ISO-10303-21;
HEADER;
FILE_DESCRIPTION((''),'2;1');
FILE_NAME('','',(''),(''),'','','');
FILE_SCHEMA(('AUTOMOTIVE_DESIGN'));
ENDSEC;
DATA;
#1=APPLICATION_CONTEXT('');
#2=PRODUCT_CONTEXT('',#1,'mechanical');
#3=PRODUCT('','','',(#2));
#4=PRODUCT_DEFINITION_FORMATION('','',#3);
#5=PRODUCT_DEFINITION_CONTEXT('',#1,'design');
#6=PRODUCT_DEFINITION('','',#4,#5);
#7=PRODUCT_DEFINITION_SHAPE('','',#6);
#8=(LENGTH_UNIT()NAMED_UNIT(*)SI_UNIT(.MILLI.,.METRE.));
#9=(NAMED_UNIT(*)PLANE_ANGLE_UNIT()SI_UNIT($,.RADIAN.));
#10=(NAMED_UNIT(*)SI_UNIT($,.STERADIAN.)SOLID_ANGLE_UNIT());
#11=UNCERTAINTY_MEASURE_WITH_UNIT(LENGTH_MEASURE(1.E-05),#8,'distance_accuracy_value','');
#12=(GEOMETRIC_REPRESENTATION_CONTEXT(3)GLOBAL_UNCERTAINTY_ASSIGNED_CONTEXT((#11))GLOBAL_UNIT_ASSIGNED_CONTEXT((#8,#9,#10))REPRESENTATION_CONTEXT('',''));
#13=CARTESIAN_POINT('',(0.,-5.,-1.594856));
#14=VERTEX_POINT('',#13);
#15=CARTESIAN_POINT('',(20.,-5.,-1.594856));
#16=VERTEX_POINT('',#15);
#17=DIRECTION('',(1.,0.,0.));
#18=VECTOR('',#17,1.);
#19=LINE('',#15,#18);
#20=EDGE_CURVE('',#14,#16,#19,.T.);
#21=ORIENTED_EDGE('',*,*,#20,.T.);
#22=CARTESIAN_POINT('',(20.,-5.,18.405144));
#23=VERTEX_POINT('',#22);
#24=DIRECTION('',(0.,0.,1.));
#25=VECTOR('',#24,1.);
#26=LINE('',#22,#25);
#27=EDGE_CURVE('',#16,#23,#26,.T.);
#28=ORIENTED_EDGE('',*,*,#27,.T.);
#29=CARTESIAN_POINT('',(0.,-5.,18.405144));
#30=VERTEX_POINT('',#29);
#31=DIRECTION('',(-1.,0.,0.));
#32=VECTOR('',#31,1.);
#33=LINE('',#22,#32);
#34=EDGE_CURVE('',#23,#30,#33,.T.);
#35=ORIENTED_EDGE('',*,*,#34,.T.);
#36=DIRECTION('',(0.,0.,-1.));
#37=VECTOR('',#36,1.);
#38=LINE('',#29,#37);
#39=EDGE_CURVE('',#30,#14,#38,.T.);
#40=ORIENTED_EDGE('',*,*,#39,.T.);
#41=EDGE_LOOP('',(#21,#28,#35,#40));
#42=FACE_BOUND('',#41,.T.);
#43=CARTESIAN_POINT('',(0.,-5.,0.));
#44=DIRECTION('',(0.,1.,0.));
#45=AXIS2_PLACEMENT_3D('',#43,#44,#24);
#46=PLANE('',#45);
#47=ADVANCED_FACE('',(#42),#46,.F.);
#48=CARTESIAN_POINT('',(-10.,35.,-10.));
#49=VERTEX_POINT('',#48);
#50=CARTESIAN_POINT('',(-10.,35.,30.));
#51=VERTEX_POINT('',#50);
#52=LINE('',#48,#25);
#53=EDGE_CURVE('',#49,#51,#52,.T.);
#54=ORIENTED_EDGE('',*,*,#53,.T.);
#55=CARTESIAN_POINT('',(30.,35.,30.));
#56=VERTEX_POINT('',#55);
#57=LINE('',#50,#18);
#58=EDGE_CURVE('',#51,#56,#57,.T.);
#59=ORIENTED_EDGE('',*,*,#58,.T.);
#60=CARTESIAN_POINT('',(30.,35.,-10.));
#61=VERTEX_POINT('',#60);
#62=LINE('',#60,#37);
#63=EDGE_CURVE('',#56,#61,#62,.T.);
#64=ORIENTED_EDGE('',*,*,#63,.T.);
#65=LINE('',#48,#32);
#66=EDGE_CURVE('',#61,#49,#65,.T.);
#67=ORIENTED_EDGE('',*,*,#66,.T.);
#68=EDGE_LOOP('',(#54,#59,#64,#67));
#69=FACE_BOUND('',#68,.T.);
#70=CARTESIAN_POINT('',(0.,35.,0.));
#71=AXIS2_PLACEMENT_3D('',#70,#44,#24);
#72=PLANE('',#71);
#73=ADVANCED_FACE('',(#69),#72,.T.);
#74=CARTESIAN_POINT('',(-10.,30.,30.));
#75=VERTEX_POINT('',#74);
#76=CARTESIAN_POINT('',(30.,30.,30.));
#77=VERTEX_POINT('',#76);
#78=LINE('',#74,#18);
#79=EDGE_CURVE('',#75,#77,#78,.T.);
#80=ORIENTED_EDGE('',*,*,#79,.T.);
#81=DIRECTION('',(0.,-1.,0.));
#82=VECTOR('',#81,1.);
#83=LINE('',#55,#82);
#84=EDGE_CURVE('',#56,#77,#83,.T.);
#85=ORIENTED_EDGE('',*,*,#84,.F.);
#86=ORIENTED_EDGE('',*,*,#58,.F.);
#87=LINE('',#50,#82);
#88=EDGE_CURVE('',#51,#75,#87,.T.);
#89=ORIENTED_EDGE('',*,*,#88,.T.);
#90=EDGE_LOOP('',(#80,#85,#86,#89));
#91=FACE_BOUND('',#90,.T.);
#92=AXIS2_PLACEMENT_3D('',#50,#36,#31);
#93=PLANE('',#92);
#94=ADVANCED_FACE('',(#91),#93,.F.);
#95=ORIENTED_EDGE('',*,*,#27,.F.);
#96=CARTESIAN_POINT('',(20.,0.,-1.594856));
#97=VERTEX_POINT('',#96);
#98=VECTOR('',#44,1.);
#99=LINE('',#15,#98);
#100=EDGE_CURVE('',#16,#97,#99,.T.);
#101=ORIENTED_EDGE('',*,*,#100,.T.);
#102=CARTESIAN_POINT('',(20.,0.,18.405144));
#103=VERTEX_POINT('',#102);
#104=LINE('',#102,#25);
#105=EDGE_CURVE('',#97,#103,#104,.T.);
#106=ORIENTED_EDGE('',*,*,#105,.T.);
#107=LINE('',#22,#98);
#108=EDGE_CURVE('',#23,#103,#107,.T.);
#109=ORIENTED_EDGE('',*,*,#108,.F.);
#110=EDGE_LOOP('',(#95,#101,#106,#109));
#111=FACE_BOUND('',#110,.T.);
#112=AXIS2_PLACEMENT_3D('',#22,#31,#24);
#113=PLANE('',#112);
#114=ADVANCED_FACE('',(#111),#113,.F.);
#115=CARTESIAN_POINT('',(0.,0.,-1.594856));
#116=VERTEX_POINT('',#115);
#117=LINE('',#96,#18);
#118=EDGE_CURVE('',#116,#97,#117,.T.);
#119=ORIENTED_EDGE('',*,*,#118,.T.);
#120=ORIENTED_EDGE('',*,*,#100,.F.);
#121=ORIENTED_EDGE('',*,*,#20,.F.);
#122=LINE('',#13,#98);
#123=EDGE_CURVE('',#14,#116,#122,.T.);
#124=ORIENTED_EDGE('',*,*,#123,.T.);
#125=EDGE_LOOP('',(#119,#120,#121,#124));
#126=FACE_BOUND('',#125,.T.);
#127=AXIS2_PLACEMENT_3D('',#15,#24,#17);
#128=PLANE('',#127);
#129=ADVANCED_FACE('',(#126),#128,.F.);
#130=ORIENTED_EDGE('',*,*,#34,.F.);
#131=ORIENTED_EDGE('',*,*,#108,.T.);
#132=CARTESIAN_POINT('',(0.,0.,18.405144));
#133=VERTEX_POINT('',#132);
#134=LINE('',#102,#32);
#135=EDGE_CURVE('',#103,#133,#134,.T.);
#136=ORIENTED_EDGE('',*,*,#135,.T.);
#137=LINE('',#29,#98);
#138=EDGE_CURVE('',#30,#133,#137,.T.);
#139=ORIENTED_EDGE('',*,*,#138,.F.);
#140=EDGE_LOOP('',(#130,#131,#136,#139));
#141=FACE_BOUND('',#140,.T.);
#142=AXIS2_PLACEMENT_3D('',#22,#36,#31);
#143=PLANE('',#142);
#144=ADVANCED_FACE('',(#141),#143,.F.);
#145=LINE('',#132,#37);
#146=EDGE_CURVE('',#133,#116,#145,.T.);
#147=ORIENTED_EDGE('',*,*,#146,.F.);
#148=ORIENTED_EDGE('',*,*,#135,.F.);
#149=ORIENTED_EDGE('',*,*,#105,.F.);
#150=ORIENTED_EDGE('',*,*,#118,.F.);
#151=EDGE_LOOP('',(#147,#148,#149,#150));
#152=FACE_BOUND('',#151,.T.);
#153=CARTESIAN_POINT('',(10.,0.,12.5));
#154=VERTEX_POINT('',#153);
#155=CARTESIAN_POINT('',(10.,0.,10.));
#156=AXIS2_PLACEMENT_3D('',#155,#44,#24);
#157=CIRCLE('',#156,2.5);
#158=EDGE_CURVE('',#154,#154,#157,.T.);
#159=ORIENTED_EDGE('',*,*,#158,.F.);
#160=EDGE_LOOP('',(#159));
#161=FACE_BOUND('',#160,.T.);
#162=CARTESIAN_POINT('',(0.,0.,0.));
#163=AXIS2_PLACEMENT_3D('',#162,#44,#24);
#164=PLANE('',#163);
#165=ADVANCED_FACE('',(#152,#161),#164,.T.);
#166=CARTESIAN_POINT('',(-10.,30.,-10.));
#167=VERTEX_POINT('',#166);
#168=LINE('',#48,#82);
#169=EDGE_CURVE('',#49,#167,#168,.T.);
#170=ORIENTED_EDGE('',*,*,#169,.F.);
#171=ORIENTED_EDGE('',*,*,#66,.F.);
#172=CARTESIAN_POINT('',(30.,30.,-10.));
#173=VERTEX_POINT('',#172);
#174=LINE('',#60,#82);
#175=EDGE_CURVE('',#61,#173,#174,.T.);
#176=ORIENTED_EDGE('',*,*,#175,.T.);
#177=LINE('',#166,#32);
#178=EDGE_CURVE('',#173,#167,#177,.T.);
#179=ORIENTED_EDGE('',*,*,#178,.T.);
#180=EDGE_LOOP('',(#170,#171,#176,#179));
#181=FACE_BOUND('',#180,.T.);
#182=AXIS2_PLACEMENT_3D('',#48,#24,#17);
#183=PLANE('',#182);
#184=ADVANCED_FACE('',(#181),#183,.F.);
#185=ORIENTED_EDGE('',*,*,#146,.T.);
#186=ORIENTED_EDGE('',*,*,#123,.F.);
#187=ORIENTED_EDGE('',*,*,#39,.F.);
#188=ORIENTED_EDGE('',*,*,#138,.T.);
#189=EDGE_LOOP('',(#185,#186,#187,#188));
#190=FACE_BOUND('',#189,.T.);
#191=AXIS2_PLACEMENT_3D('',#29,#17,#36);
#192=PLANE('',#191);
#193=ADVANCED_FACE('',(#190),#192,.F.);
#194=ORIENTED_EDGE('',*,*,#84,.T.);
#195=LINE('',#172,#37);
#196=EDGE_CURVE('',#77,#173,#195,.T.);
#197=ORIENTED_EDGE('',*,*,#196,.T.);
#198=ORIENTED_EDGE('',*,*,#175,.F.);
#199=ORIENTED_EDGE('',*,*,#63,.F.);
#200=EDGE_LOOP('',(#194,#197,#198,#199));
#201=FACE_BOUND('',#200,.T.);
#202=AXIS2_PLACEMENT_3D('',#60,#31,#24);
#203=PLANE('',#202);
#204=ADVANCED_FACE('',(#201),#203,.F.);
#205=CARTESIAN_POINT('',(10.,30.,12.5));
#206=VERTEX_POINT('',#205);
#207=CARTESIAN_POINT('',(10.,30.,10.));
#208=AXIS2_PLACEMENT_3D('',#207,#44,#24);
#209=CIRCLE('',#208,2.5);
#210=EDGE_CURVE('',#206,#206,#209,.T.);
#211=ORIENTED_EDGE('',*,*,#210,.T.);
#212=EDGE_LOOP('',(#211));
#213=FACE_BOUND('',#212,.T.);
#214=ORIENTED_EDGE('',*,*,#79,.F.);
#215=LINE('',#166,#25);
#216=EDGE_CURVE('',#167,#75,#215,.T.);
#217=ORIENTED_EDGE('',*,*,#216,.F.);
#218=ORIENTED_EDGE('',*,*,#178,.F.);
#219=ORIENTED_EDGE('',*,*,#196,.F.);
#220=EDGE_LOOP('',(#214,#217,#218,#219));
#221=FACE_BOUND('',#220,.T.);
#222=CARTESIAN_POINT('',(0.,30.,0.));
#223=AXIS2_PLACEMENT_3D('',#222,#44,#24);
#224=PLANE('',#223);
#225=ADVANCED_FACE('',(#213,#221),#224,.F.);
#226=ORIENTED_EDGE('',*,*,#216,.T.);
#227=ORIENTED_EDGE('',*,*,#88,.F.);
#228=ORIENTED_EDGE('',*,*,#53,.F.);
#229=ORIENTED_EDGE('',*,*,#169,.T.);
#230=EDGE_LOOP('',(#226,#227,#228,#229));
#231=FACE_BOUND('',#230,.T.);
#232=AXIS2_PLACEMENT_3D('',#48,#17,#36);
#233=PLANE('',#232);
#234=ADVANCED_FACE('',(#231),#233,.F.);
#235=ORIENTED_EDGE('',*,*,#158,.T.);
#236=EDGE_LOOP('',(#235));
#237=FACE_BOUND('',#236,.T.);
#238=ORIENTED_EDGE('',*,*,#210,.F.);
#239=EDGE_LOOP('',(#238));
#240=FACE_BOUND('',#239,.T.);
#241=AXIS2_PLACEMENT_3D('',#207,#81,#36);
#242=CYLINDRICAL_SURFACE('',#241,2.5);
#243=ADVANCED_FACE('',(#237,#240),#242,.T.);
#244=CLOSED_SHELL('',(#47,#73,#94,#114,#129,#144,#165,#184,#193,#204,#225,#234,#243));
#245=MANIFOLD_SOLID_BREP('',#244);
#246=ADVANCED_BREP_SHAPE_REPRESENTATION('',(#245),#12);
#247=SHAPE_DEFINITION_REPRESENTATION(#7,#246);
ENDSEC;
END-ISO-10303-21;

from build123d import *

# Parameters (mm, degrees)
SKETCH1_R           = 2.5
BOSS_EXTRUDE3_DEPTH = 30
SKETCH4_W           = 40
SKETCH4_H           = 40
BOSS_EXTRUDE5_DEPTH = 5
SKETCH5_W           = 20
SKETCH5_H           = 20
BOSS_EXTRUDE6_DEPTH = 5


with BuildPart() as part:
    # Sketch1 → Boss-Extrude3 (new body)
    with BuildSketch(Plane(origin=(0, 0, 0), x_dir=(1, 0, 0), z_dir=(0, 1, 0))):
        with Locations(Location((10, -10, 0), (0, 0, 270))):  # turned: the seam where the file's is
            Circle(SKETCH1_R)
    extrude(amount=BOSS_EXTRUDE3_DEPTH)

    # Sketch4 → Boss-Extrude5 (add)
    with BuildSketch(Plane(origin=(0, 30, 0), x_dir=(1, 0, 0), z_dir=(0, 1, 0))):
        with Locations((10, -10)):
            Rectangle(SKETCH4_W, SKETCH4_H)
    extrude(amount=BOSS_EXTRUDE5_DEPTH)

    # Sketch5 → Boss-Extrude6 (add)
    with BuildSketch(Plane.XZ):
        with Locations((10, 8.405143714)):
            Rectangle(SKETCH5_W, SKETCH5_H)
    extrude(amount=BOSS_EXTRUDE6_DEPTH)


solid = part.part
